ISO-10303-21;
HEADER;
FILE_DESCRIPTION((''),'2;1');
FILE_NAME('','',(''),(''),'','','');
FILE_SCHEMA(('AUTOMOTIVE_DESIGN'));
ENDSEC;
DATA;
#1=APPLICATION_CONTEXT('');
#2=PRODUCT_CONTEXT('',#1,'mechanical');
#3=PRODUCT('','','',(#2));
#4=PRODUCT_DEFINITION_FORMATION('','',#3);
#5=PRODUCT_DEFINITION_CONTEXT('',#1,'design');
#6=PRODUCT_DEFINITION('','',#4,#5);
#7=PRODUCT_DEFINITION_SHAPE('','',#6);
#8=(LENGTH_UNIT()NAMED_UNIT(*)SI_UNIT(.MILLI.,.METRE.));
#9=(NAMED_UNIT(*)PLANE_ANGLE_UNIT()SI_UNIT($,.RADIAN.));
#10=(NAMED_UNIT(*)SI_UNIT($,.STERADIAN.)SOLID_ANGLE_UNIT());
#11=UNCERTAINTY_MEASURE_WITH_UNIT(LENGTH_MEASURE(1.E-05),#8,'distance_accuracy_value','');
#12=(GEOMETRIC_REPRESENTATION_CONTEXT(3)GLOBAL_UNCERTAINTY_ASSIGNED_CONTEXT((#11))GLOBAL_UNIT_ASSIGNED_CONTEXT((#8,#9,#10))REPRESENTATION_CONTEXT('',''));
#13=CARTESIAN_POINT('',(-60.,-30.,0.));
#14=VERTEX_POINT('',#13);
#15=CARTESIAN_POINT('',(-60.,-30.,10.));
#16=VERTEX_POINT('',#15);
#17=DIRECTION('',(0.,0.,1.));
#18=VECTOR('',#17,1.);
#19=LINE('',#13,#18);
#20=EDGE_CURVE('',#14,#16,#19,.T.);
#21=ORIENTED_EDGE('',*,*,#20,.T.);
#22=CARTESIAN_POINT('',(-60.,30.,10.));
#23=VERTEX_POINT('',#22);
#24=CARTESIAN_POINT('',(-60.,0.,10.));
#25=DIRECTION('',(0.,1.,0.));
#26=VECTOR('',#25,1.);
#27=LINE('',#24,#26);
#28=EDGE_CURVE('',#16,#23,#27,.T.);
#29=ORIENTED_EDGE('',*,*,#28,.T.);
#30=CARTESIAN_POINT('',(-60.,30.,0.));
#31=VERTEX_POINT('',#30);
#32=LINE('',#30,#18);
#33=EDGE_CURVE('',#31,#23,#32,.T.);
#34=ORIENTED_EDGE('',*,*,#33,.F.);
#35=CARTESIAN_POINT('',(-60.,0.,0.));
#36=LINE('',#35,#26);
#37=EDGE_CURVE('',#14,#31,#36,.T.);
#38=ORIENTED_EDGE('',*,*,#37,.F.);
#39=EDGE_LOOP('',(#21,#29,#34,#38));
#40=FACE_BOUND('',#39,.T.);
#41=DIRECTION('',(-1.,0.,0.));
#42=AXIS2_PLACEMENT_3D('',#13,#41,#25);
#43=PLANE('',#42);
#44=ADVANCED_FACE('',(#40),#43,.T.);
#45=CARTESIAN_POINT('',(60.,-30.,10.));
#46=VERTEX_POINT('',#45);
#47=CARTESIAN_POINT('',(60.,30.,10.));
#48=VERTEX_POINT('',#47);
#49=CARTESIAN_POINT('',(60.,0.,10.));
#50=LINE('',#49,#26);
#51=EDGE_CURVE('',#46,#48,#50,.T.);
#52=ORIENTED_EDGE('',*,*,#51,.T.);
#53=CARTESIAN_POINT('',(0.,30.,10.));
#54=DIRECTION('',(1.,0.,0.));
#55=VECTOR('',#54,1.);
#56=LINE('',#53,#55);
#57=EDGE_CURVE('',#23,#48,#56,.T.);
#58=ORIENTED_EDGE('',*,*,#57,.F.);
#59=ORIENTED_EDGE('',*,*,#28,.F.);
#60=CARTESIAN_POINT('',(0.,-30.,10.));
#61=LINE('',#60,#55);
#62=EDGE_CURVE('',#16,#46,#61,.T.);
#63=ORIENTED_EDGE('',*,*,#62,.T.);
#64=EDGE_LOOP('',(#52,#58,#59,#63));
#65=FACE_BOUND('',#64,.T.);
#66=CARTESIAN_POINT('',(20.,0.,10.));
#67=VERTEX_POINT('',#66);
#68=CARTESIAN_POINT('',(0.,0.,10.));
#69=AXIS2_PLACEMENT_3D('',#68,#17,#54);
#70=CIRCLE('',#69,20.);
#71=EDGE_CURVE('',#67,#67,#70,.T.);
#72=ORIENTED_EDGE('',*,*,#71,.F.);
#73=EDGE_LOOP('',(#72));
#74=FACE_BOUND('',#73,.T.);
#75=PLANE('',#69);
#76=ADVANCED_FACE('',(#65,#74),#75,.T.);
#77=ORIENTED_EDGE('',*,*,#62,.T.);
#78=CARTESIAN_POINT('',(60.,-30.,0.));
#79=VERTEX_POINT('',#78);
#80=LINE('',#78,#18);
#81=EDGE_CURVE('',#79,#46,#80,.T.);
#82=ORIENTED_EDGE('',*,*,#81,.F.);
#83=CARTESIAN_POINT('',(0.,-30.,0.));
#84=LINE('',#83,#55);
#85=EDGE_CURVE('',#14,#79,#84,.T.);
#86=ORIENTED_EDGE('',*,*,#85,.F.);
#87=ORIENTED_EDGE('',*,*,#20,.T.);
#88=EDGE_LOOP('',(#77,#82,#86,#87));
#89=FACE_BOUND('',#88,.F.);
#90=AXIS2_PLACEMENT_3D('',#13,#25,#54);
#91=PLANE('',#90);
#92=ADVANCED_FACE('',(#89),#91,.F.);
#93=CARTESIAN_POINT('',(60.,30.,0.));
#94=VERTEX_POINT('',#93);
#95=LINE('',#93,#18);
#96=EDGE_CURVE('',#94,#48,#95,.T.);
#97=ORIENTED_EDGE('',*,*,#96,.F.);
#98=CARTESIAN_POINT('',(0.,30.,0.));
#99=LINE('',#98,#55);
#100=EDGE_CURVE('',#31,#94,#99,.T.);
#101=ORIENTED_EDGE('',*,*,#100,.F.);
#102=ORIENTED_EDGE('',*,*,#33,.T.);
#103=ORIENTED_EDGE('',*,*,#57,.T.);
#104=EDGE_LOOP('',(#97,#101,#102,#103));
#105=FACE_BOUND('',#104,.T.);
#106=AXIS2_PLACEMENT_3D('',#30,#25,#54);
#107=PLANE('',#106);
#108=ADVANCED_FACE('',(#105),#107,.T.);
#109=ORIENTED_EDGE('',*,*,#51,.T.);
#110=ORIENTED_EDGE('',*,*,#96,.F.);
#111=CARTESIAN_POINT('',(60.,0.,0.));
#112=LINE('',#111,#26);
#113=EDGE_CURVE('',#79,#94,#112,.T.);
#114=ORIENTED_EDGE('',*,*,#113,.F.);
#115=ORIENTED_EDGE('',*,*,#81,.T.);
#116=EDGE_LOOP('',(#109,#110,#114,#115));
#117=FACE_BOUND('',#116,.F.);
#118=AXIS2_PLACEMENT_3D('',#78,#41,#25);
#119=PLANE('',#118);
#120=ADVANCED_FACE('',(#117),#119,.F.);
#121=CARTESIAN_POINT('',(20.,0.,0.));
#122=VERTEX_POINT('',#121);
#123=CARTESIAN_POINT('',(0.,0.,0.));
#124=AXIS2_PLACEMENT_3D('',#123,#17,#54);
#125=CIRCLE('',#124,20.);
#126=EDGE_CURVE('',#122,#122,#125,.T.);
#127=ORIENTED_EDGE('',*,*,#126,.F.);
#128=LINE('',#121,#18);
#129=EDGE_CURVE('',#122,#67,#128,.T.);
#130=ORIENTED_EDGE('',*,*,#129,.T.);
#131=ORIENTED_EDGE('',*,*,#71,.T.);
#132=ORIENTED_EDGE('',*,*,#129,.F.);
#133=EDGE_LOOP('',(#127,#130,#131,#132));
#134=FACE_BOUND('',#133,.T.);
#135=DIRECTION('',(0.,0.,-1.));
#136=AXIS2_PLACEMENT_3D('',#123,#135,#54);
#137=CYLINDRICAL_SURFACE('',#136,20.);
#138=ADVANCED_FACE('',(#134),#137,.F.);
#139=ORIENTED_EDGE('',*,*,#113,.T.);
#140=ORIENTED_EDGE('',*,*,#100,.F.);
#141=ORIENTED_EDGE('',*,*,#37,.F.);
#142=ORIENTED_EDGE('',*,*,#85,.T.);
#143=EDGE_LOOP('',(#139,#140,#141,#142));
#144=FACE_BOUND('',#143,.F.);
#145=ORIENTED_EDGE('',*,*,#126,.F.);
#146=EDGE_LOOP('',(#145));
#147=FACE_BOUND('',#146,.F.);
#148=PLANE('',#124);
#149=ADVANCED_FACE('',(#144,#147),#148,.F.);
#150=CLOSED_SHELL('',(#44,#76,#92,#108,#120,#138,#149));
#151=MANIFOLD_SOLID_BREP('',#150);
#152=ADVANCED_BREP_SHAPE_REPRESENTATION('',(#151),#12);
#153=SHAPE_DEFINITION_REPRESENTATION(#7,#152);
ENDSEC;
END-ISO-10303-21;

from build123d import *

# Parameters (mm, degrees)
SKETCH_W  = 120
SKETCH_H  = 60
SKETCH_R  = 20
PAD_DEPTH = 10


with BuildPart() as part:
    # Sketch → Pad (new body)
    with BuildSketch(Plane.XY):
        Rectangle(SKETCH_W, SKETCH_H)
        Circle(SKETCH_R, mode=Mode.SUBTRACT)
    extrude(amount=PAD_DEPTH)


solid = part.part
